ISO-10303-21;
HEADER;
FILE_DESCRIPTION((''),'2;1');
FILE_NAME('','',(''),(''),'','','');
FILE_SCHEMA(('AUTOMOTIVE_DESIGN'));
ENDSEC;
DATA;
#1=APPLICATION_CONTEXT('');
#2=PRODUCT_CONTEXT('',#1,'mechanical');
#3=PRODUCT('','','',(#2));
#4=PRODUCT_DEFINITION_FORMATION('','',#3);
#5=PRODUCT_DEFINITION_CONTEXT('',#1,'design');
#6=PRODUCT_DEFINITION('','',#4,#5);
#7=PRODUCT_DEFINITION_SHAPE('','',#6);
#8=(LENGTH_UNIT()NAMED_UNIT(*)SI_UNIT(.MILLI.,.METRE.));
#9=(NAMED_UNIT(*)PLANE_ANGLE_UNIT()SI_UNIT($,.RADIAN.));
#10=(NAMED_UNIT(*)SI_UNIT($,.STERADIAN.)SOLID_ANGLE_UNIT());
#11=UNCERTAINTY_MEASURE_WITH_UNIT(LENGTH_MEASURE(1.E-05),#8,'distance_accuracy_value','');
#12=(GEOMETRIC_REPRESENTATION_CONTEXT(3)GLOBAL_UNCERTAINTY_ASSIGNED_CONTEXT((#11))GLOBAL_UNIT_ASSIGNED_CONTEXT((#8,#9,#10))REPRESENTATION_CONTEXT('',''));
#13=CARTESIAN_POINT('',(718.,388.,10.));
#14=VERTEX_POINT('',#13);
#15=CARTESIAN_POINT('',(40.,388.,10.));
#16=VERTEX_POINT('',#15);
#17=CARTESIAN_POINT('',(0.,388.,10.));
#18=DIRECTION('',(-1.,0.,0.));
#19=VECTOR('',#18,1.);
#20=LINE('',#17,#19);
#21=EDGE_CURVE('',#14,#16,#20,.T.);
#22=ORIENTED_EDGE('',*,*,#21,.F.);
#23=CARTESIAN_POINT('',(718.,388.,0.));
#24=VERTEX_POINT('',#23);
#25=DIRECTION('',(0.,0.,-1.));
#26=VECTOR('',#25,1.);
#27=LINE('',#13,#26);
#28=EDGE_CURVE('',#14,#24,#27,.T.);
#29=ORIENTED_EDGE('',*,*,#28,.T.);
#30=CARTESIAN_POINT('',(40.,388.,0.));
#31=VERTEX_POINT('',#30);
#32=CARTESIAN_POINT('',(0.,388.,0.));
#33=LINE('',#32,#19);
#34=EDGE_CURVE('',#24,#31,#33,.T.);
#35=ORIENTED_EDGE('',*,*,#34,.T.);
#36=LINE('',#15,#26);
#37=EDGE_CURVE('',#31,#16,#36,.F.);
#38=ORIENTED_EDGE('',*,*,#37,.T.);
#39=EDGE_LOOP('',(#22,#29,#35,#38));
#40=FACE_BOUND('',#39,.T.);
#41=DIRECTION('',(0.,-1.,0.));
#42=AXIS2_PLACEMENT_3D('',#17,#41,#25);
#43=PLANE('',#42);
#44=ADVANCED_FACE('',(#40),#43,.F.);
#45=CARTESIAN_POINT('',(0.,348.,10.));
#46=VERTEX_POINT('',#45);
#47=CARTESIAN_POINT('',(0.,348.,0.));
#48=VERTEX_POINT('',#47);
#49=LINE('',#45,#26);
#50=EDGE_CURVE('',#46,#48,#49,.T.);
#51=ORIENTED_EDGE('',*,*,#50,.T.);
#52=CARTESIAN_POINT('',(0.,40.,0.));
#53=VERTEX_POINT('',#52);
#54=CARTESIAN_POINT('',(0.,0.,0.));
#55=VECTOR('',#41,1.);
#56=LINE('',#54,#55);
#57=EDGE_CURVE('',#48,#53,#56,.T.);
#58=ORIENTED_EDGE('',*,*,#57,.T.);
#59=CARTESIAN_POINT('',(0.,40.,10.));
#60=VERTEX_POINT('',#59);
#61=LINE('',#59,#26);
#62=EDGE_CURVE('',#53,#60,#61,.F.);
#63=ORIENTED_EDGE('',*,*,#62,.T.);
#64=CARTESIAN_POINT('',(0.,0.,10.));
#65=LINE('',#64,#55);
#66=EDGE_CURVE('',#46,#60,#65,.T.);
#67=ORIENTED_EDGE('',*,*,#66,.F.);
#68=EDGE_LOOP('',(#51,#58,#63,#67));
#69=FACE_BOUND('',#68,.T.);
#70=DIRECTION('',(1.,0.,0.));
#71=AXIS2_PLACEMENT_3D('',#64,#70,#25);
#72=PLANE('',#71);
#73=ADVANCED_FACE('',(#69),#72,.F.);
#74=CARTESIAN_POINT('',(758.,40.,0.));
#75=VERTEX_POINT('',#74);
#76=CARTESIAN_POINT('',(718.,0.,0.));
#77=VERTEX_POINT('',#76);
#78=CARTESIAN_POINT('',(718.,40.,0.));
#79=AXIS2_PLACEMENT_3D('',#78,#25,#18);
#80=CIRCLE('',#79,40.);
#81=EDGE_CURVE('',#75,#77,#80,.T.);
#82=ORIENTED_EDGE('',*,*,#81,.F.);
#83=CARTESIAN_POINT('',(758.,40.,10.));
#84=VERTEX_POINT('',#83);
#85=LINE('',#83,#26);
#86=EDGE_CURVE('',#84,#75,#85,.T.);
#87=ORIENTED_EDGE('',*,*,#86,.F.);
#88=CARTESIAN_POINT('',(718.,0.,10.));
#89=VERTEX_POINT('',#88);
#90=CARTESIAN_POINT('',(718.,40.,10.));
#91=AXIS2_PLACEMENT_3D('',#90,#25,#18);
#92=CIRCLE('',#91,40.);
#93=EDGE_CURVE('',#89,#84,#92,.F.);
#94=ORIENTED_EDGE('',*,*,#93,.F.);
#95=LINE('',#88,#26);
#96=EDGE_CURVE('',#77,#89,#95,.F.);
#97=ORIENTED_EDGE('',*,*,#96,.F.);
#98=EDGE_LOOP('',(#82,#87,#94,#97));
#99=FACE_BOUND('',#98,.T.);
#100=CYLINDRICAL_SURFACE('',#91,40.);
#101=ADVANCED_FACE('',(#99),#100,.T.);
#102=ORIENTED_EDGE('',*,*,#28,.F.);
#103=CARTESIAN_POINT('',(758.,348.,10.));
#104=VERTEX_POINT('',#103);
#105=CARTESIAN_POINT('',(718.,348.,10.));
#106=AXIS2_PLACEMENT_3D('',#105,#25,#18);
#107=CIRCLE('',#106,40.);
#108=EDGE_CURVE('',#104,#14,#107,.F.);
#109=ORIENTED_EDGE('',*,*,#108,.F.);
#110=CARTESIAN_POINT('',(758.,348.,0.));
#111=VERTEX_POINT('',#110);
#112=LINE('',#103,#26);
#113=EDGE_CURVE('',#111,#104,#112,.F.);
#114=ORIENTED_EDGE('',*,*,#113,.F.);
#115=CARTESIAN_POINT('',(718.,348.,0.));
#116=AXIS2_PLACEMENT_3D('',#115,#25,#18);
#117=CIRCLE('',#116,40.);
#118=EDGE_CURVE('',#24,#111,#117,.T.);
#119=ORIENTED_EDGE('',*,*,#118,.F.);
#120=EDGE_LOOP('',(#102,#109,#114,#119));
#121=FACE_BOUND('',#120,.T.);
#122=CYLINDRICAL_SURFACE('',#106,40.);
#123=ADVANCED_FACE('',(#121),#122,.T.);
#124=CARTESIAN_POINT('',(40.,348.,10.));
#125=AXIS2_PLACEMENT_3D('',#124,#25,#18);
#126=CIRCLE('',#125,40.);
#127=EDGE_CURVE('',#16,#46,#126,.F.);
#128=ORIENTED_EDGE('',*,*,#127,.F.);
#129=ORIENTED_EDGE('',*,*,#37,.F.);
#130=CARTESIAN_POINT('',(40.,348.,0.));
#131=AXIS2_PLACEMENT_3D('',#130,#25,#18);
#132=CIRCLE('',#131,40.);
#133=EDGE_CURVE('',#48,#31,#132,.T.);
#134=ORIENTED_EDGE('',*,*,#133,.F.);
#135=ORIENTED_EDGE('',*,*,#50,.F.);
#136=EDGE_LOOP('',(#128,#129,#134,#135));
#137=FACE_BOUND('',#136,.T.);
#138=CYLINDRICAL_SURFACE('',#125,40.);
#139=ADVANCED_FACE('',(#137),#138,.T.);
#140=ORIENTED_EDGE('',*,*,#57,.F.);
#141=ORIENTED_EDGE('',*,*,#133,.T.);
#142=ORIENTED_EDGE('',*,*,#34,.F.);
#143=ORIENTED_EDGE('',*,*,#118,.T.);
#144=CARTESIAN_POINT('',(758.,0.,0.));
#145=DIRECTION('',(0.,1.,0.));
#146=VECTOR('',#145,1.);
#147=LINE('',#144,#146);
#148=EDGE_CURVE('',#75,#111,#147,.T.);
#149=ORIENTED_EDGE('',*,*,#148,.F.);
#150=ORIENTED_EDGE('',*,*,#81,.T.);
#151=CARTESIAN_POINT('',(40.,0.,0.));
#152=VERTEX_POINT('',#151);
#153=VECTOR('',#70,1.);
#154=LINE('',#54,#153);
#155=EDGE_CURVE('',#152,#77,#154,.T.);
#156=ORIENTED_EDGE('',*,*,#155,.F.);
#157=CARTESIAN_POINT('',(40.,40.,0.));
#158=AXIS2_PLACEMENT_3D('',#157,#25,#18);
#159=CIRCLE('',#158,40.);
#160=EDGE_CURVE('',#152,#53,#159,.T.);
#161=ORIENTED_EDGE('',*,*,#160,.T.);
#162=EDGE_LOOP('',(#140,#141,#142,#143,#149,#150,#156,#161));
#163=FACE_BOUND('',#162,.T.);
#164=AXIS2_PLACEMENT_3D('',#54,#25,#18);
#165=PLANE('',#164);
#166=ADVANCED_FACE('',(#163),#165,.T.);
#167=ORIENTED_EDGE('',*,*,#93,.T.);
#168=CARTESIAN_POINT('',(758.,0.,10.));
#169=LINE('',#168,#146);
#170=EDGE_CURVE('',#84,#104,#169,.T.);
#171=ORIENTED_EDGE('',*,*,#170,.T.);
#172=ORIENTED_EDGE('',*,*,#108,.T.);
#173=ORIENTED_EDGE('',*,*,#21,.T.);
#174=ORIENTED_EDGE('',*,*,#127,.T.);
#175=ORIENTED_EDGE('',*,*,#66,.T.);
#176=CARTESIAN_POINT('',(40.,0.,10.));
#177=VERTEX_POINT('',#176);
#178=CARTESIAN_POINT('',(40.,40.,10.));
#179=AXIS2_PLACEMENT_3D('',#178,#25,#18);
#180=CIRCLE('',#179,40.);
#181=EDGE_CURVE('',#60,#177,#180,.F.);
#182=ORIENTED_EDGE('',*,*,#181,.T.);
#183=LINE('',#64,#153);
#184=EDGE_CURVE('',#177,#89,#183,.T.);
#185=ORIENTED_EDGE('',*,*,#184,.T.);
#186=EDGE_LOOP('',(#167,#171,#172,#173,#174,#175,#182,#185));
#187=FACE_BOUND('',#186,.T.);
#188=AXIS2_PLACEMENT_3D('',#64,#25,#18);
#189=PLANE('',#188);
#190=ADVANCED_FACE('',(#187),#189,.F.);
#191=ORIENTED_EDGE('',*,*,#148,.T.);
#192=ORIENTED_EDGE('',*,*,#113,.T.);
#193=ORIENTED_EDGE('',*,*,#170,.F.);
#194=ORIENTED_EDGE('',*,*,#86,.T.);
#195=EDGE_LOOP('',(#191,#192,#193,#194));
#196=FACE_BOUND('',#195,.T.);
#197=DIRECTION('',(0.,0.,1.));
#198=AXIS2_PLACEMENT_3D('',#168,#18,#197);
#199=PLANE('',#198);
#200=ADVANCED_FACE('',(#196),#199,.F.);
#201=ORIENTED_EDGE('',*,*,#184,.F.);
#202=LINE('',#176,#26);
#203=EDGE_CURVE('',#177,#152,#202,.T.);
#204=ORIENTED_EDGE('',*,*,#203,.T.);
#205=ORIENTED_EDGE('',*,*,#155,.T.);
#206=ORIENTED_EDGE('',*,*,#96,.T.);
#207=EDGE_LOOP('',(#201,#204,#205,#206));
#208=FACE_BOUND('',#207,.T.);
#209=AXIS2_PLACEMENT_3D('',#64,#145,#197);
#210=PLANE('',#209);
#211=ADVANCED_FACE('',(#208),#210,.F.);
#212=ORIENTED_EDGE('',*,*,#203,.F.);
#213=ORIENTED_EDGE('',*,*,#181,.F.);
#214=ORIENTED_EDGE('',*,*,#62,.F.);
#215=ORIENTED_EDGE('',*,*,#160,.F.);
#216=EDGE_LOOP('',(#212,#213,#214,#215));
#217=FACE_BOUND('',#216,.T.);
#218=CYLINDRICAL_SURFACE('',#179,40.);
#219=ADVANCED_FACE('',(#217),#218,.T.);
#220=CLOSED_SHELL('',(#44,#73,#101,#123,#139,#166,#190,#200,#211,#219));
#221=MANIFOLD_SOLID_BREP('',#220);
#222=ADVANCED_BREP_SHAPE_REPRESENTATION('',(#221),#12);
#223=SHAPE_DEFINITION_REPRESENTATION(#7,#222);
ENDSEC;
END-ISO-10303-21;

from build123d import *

# Parameters (mm, degrees)
SKETCH_1_W      = 758
SKETCH_1_H      = 388
EXTRUDE_1_DEPTH = 10
FILLET_1_R      = 40
FILLET_2_R      = 40
FILLET_3_R      = 40
FILLET_4_R      = 40


with BuildPart() as part:
    # 草图1 → 凸台-拉伸1 (new body)
    with BuildSketch(Plane.XY):
        with Locations((379, 194)):
            Rectangle(SKETCH_1_W, SKETCH_1_H)
    extrude(amount=EXTRUDE_1_DEPTH)

    # 圆角1
    fillet_1_edges = [part.edges().sort_by_distance(p)[0] for p in [
        (758, 388, 5),
    ]]
    fillet(fillet_1_edges, radius=FILLET_1_R)

    # 圆角2
    fillet_2_edges = [part.edges().sort_by_distance(p)[0] for p in [
        (758, 0, 5),
    ]]
    fillet(fillet_2_edges, radius=FILLET_2_R)

    # 圆角3
    fillet_3_edges = [part.edges().sort_by_distance(p)[0] for p in [
        (0, 0, 5),
    ]]
    fillet(fillet_3_edges, radius=FILLET_3_R)

    # 圆角4
    fillet_4_edges = [part.edges().sort_by_distance(p)[0] for p in [
        (0, 388, 5),
    ]]
    fillet(fillet_4_edges, radius=FILLET_4_R)


solid = part.part
